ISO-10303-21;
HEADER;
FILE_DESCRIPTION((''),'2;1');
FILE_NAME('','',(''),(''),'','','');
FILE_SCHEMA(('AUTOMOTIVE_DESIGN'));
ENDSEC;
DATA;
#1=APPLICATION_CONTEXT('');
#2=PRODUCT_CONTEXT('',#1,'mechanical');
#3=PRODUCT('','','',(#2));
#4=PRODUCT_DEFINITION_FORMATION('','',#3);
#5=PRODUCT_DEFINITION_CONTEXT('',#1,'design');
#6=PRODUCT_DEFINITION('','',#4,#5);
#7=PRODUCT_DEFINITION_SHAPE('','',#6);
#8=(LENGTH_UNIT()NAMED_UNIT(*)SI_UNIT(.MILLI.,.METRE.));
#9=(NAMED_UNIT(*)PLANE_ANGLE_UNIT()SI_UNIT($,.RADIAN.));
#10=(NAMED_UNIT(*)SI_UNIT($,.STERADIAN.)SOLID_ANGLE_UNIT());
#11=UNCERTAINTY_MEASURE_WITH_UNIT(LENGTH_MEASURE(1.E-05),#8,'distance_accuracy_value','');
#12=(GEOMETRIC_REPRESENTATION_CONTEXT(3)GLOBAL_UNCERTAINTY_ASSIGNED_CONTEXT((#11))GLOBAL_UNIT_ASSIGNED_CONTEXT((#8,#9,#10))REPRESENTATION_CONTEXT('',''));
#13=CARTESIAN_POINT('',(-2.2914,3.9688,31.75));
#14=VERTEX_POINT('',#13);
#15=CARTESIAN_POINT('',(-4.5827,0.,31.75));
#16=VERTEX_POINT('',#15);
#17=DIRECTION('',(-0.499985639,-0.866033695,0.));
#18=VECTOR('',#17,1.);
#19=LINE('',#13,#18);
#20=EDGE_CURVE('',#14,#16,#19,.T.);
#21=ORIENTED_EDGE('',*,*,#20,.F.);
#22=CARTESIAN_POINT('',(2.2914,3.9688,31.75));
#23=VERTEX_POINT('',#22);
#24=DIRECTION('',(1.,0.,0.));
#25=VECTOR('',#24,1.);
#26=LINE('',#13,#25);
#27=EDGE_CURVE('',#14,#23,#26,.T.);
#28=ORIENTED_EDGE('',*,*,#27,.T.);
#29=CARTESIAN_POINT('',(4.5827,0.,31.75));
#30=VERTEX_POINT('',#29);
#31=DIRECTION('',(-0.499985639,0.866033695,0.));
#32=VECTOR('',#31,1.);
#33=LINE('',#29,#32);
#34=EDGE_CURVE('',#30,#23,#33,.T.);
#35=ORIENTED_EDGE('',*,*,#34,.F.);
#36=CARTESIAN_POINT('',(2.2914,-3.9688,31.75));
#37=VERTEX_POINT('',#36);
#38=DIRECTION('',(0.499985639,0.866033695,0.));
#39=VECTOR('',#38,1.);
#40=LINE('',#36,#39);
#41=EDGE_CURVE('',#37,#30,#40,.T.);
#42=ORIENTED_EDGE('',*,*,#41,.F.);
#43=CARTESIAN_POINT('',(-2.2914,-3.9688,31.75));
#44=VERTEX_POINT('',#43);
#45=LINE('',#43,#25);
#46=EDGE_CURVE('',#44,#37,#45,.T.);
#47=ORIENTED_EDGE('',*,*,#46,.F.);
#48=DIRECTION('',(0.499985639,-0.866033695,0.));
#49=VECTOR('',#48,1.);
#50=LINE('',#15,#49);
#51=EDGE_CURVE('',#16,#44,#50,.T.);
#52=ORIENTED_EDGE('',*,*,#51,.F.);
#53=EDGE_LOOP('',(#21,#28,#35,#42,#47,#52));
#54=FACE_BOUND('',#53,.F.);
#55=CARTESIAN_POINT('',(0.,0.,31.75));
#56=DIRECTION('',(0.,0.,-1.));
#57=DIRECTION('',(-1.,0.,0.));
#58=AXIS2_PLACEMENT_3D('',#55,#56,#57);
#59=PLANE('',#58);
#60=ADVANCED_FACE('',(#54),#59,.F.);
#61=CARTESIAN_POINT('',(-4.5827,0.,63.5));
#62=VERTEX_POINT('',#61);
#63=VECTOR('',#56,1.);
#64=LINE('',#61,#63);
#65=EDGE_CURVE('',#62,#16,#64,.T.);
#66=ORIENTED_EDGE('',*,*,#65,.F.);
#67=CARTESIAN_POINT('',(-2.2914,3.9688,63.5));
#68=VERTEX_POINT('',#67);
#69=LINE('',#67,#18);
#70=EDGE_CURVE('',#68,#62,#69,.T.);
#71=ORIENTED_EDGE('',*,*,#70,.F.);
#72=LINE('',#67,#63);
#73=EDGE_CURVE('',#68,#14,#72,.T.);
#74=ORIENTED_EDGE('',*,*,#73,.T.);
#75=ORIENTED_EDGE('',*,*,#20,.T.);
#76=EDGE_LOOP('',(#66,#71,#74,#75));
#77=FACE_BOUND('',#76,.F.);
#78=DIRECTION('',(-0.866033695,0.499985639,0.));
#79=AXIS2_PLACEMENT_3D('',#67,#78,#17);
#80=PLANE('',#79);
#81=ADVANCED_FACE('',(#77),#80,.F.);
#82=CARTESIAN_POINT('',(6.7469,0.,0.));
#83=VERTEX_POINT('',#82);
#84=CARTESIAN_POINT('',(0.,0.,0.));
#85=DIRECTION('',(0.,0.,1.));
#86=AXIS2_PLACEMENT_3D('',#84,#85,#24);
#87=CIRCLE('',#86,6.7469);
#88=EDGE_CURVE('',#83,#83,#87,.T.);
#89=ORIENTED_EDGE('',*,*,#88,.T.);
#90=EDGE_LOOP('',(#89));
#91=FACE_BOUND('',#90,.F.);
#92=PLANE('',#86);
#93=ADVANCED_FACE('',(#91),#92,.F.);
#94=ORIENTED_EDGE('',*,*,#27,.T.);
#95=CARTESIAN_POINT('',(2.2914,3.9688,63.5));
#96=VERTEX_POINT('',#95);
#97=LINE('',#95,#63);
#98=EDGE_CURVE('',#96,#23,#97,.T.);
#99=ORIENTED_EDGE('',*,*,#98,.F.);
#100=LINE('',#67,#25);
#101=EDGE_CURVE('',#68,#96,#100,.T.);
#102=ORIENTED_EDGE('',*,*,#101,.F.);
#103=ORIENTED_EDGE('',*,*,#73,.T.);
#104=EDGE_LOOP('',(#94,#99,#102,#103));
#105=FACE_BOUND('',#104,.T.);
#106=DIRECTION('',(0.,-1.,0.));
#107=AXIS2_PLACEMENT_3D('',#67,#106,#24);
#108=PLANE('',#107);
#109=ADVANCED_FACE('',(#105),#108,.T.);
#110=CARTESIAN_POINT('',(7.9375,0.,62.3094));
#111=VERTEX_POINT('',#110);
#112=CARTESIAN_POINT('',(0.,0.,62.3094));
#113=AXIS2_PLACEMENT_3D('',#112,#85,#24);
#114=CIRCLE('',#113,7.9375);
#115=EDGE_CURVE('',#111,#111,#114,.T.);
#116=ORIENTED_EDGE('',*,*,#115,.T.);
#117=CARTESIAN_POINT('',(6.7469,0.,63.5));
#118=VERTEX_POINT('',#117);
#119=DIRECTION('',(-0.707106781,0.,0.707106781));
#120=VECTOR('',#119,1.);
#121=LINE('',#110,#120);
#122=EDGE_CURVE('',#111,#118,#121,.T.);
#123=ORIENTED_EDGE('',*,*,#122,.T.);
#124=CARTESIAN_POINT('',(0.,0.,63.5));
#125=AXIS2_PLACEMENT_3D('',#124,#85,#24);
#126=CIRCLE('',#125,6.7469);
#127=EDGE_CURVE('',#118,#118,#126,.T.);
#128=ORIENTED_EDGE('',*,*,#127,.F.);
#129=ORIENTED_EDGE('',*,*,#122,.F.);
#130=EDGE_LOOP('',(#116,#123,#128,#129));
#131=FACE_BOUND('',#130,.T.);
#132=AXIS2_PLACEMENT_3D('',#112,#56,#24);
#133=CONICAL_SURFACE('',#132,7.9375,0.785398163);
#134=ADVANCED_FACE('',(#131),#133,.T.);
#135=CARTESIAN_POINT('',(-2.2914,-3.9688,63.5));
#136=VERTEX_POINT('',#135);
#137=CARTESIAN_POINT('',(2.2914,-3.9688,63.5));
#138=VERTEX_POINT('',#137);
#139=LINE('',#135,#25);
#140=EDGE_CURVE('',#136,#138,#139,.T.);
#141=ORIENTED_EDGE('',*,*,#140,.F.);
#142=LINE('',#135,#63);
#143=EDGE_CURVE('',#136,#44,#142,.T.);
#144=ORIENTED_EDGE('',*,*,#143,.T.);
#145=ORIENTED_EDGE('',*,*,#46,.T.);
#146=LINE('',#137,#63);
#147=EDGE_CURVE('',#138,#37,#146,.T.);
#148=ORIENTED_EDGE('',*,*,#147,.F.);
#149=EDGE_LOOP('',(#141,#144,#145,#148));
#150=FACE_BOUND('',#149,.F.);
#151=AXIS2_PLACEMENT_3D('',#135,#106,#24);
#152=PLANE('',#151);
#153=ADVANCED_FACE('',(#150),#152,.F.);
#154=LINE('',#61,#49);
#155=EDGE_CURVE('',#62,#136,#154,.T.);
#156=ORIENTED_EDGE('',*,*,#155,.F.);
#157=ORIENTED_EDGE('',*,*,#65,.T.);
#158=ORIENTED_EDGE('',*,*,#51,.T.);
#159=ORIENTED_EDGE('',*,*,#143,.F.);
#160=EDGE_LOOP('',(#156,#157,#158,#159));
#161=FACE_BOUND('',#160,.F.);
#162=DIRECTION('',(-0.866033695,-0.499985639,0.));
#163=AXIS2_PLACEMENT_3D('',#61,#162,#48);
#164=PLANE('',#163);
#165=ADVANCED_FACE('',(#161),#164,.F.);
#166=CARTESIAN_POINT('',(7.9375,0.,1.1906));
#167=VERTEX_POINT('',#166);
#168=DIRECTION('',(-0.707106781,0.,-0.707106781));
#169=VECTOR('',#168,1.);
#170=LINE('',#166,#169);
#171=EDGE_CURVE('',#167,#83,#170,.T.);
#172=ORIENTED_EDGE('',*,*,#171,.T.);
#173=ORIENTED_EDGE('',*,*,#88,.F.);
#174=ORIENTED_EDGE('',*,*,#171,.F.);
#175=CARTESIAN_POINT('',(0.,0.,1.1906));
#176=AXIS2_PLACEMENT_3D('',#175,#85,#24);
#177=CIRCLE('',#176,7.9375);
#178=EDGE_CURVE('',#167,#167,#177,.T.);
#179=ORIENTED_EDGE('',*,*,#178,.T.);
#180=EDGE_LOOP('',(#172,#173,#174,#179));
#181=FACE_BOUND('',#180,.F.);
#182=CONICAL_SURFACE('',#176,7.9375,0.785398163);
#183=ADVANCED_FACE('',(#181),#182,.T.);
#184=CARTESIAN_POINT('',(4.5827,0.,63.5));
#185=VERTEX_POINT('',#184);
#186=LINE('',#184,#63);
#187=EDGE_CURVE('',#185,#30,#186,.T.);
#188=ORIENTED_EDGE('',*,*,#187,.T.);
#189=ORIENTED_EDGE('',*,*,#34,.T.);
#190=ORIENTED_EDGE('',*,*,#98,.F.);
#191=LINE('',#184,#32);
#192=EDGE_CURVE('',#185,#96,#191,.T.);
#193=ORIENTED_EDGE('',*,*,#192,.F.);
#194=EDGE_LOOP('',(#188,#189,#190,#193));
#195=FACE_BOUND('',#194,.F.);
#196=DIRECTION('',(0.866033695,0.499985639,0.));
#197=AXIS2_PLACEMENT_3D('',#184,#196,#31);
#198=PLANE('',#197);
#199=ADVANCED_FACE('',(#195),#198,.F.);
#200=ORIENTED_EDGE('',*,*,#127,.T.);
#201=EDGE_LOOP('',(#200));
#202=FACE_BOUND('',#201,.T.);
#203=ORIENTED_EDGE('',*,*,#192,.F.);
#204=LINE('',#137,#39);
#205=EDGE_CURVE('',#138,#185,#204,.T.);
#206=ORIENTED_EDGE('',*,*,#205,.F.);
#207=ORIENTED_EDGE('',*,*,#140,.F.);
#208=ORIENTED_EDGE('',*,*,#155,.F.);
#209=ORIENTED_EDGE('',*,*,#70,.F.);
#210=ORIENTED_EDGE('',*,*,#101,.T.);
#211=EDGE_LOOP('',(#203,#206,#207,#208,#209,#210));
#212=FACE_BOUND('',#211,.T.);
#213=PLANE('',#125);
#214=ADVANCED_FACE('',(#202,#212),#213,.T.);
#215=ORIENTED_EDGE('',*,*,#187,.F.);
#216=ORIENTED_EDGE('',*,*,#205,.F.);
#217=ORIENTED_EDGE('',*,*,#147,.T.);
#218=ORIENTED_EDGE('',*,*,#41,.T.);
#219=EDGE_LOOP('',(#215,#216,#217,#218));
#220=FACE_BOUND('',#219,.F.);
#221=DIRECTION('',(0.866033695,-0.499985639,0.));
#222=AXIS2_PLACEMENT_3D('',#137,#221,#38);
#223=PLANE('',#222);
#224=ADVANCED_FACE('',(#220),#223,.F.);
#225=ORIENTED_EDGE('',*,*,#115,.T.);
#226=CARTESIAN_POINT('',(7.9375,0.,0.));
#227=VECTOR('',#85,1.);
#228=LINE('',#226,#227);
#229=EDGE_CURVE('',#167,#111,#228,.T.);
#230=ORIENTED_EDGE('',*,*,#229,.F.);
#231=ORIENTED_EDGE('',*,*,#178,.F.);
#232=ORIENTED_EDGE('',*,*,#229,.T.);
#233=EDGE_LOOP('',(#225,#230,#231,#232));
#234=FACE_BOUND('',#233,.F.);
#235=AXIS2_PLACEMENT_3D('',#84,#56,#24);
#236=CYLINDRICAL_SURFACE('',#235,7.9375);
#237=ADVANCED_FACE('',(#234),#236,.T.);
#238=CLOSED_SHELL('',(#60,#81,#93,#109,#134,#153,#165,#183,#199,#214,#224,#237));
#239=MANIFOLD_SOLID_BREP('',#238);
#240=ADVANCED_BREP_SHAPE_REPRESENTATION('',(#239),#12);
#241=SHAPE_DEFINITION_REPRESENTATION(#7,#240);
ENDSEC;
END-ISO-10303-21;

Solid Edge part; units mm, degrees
sketch "Sketch1" plane through (0, 0, 0) normal (0, 0, 1) x (1, 0, 0)
  circle A0 centre (0, 0) radius 7.9375
  dimension "D1" = 15.875
extrude "Protrusion1" add sketch "Sketch1" along normal blind 63.5
chamfer "Chamfer1" distance 1.1906 angle 45 2 edges at (-7.9375, 0, 0) (-7.9375, 0, 63.5)
sketch "Sketch2" plane through (0, 0, 63.5) normal (0, 0, 1) x (1, 0, 0)
  line L0 (-2.2914, 3.9688) -> (2.2914, 3.9688)
  line L1 (4.5827, 0) -> (2.2914, 3.9687)
  line L2 (2.2914, -3.9688) -> (4.5827, 0)
  line L3 (-2.2914, -3.9688) -> (2.2914, -3.9688)
  line L4 (-4.5827, 0) -> (-2.2914, -3.9688)
  line L5 (-2.2914, 3.9687) -> (-4.5827, 0)
  dimension "D1" = 7.9375
extrude "Cutout1" cut sketch "Sketch2" against normal blind 31.75
properties part number "24105272"
